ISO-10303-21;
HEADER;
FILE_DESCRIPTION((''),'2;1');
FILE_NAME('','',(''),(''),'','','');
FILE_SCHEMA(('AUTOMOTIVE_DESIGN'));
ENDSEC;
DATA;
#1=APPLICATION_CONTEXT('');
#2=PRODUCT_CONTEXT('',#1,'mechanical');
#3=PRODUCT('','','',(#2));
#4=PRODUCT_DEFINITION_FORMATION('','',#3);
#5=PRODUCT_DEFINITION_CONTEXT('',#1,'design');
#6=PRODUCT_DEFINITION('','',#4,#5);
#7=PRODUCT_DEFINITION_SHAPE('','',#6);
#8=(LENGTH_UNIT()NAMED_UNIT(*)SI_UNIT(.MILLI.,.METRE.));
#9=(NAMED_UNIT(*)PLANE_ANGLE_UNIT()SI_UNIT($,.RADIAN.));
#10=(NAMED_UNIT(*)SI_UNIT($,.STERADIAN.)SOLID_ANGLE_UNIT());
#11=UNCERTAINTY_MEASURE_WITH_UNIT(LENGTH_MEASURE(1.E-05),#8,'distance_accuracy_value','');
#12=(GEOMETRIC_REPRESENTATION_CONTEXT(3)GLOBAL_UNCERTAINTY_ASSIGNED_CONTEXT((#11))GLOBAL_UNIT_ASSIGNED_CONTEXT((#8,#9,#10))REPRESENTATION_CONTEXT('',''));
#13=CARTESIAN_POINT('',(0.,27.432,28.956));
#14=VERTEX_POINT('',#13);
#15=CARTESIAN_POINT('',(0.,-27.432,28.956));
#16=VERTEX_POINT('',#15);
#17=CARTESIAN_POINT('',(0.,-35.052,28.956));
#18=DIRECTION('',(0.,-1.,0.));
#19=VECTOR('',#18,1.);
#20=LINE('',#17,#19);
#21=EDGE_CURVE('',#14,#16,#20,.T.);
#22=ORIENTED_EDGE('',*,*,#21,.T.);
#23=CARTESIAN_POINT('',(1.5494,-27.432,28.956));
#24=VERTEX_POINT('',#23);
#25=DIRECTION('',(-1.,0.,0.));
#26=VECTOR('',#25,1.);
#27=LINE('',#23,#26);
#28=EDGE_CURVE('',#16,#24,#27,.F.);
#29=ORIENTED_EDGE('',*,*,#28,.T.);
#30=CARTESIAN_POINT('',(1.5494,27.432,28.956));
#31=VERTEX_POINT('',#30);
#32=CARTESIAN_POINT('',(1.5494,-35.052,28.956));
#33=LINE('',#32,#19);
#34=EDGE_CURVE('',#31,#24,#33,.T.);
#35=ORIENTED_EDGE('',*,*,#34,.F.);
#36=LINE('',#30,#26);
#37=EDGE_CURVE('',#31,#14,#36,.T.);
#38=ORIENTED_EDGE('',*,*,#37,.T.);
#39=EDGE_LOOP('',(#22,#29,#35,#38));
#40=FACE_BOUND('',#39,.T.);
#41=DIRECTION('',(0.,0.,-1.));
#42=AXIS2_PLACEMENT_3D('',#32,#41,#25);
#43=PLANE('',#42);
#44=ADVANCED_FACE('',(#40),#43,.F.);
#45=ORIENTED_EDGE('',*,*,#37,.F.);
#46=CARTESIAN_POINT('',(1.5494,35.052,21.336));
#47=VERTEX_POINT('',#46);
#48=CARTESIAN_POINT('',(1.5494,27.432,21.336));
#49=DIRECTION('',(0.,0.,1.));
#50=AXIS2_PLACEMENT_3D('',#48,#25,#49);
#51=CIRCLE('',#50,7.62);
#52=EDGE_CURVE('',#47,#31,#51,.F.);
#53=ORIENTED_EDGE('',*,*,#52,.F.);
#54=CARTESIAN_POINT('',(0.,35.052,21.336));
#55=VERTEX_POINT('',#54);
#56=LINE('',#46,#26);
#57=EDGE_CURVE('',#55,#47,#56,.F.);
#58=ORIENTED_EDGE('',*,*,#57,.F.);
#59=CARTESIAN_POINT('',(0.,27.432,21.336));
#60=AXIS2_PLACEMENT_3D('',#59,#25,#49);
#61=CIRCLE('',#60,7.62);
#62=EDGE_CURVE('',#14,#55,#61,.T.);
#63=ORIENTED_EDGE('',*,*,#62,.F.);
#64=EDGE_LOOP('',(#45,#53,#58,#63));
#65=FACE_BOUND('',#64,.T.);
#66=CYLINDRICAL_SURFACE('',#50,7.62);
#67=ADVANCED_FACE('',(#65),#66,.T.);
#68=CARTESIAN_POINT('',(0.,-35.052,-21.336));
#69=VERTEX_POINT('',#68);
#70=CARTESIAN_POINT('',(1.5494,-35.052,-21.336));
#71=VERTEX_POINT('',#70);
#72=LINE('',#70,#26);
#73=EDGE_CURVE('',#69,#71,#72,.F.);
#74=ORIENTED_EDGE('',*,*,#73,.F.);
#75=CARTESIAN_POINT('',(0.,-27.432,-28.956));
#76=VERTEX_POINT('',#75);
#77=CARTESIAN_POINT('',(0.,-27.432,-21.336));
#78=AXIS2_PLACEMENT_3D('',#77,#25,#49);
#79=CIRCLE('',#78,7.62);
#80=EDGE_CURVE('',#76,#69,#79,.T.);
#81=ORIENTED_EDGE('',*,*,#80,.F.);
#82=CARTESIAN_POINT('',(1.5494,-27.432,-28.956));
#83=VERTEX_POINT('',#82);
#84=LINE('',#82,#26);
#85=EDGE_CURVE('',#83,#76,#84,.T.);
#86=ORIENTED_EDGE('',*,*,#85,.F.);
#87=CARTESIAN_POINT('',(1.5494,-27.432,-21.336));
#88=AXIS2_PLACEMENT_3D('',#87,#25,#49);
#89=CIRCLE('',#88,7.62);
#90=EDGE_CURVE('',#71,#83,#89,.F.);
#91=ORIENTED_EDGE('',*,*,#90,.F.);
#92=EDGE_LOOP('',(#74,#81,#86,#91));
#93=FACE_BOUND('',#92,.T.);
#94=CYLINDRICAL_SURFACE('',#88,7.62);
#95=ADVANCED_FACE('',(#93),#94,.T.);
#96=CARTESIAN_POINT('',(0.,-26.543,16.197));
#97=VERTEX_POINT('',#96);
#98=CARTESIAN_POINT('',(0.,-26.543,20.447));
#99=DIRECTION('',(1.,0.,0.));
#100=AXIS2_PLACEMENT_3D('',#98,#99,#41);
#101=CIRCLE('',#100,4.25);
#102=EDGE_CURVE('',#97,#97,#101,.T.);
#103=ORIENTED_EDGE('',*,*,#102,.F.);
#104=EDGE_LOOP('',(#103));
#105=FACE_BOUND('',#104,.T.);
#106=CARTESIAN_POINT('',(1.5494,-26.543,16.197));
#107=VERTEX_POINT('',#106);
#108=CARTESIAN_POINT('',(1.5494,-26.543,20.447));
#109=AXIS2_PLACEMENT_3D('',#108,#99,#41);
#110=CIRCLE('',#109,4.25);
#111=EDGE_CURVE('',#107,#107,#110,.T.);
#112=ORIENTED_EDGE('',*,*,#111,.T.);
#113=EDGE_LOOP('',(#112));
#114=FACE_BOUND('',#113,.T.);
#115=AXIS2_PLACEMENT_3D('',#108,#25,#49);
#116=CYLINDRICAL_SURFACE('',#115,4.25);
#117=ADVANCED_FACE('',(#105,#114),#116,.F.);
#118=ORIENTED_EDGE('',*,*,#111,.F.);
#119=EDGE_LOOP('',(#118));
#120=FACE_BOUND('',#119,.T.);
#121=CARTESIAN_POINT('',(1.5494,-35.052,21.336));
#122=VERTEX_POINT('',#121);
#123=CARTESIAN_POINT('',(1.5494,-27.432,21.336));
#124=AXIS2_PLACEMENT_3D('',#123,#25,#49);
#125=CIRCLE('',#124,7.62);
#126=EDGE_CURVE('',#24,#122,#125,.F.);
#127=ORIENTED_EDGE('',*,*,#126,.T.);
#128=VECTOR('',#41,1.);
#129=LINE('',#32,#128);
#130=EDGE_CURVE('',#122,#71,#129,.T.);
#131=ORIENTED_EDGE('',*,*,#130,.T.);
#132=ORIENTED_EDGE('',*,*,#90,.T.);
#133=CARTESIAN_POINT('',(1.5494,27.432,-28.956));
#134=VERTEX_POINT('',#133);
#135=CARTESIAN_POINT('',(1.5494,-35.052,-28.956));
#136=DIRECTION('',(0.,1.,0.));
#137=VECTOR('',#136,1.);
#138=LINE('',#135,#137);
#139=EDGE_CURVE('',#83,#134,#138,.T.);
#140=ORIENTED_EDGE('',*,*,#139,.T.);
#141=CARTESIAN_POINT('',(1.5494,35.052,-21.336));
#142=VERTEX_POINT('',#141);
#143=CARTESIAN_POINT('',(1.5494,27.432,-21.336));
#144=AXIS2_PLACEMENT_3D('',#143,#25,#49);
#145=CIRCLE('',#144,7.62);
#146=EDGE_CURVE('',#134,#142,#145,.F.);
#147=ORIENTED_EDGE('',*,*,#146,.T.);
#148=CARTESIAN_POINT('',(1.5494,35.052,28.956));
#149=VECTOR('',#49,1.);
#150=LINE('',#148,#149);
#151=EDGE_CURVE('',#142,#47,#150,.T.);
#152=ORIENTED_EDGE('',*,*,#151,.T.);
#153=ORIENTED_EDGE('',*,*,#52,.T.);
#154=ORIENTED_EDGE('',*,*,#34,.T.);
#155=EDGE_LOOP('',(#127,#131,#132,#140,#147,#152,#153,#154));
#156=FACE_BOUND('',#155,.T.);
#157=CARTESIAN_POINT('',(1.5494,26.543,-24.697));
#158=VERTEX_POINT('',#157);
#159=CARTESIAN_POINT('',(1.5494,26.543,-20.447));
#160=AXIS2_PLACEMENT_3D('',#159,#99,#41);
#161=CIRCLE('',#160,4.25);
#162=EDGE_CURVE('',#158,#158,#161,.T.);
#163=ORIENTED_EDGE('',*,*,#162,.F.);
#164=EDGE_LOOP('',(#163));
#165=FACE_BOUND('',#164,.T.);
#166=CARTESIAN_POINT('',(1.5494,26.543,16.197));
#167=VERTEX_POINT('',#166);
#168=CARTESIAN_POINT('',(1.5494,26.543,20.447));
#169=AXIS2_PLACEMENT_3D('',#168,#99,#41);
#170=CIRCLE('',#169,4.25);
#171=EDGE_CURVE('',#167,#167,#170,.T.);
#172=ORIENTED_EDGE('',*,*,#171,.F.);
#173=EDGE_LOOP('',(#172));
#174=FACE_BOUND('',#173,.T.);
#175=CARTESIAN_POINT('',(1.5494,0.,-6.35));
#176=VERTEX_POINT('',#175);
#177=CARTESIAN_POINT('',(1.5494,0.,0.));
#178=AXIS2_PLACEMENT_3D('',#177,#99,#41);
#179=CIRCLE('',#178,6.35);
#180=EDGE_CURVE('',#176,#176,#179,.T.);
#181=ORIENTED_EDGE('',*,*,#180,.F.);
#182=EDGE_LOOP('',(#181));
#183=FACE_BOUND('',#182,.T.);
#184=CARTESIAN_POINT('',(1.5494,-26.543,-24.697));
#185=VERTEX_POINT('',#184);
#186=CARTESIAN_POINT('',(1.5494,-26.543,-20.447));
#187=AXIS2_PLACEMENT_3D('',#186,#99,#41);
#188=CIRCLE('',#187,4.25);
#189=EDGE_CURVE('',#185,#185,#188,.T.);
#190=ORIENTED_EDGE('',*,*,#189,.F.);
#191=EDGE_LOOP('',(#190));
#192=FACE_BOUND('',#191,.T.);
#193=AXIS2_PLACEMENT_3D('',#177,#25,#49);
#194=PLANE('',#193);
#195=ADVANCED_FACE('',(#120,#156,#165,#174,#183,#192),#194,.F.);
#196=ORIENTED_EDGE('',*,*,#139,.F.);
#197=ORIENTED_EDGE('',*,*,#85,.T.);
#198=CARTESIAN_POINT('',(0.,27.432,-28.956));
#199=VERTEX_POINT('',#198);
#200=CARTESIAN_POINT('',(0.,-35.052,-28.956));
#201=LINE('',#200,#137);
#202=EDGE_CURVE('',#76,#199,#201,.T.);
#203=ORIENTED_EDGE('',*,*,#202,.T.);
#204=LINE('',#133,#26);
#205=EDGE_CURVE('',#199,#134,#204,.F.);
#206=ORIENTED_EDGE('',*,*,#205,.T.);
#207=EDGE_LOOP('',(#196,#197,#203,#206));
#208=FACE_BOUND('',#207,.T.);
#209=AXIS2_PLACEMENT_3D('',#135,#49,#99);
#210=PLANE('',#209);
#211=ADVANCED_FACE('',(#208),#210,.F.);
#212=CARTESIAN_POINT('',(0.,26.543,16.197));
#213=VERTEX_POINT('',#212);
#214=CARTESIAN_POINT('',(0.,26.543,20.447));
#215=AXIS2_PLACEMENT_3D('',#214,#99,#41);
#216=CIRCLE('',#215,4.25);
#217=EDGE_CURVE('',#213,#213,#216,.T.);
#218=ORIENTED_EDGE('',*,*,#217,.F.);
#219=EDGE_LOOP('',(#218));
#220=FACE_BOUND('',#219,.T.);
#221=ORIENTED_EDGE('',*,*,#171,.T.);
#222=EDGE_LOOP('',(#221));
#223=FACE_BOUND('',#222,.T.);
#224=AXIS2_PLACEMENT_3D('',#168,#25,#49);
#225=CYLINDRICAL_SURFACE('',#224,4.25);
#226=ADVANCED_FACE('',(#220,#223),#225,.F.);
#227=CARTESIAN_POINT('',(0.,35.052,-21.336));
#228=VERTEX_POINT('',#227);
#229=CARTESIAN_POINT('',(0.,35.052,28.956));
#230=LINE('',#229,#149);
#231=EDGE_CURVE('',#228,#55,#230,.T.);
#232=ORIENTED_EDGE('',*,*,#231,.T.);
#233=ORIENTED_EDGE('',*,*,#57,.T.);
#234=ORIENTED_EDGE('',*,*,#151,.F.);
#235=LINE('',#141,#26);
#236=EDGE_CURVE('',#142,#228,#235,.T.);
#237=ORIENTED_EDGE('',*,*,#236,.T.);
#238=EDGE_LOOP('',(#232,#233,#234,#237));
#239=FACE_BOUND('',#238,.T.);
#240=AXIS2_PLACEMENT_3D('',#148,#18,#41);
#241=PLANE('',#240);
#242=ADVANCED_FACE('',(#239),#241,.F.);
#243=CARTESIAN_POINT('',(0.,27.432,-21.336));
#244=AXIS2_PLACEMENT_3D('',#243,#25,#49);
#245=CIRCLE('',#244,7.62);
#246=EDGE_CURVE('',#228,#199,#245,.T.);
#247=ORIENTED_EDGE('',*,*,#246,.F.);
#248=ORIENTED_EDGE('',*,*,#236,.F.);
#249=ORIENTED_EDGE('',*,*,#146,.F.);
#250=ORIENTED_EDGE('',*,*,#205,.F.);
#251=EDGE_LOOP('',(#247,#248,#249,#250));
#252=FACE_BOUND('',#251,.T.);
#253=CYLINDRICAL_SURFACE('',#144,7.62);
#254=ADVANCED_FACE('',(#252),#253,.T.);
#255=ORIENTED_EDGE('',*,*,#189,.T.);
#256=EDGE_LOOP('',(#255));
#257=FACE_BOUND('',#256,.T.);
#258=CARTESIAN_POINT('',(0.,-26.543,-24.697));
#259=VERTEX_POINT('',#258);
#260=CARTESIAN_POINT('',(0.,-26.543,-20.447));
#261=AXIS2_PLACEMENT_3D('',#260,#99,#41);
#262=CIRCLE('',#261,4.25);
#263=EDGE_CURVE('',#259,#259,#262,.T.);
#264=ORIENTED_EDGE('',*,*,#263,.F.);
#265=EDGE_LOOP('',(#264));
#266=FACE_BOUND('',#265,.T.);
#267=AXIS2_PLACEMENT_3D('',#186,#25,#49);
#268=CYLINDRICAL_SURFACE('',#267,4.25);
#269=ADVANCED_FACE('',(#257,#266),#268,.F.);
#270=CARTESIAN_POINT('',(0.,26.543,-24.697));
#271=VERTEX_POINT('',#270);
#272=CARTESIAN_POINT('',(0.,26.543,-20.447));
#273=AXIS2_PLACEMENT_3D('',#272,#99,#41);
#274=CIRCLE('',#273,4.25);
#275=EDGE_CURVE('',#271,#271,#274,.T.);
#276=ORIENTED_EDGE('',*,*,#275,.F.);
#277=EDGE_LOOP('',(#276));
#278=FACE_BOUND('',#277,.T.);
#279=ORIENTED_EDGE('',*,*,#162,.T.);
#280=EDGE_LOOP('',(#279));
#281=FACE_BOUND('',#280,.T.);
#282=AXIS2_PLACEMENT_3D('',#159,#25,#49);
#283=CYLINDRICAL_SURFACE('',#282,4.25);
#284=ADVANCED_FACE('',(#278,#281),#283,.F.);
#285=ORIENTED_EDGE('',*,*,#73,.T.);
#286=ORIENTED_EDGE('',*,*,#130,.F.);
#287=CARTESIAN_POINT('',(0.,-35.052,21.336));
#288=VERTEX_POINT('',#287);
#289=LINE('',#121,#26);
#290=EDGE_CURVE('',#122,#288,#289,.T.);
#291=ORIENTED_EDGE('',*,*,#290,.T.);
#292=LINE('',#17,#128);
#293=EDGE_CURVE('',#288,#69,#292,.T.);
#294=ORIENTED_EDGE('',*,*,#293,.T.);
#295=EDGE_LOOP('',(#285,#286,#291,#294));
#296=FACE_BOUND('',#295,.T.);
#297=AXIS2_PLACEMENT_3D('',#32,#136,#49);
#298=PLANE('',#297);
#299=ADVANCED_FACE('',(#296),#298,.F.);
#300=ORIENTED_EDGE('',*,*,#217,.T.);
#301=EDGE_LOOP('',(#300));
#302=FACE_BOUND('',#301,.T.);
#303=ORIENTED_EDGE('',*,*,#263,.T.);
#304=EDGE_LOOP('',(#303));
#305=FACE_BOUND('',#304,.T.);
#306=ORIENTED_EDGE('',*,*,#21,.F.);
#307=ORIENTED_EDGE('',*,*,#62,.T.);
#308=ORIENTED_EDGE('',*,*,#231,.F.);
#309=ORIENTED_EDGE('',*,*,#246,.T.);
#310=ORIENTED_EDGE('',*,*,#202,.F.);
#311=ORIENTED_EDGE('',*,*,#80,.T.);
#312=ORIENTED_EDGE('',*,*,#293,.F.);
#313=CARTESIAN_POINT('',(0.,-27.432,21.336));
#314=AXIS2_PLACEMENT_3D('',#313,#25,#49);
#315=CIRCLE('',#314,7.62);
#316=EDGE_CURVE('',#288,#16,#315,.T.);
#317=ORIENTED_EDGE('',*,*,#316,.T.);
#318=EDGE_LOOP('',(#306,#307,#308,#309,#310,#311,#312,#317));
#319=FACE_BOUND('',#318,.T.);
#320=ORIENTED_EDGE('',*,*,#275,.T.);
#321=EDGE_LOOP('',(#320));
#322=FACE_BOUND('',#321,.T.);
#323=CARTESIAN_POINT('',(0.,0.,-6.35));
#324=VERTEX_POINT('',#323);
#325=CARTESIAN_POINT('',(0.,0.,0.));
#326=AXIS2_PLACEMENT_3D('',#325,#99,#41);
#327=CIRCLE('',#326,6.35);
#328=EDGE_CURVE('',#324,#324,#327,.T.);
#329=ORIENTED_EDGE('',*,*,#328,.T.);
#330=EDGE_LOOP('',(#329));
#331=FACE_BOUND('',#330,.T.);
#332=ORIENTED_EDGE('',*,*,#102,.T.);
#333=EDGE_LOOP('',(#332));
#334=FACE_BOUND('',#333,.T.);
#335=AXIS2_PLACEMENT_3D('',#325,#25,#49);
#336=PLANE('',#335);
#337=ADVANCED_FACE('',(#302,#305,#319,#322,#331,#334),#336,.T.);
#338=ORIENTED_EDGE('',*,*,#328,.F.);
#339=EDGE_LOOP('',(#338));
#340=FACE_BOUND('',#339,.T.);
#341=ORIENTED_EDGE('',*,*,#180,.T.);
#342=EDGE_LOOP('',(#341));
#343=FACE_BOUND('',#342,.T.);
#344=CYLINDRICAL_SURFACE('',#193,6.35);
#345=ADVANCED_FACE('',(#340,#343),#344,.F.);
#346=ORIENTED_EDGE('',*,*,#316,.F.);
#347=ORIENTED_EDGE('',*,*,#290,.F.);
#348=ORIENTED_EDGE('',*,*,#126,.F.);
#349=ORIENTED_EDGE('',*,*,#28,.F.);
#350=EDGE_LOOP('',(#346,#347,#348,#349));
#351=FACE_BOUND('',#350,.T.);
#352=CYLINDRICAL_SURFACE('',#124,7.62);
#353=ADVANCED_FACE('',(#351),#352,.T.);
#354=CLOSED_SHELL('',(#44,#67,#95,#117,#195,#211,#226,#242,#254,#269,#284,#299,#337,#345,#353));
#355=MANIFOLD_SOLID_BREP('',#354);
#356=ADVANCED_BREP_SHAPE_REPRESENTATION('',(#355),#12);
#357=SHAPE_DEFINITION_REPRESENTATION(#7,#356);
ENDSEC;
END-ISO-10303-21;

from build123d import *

# Parameters (mm, degrees)
SKETCH1_W           = 57.912
SKETCH1_H           = 70.104
SKETCH1_R           = 4.25
SKETCH1_R_2         = 6.35
BOSS_EXTRUDE1_DEPTH = 1.5494
FILLET1_R           = 7.62


with BuildPart() as part:
    # Sketch1 → Boss-Extrude1 (new body)
    with BuildSketch(Plane(origin=(0, 0, 0), x_dir=(0, 0, -1), z_dir=(1, 0, 0))):
        Rectangle(SKETCH1_W, SKETCH1_H)
        with Locations((-20.447, 26.543)):
            Circle(SKETCH1_R, mode=Mode.SUBTRACT)
        with Locations((20.447, 26.543)):
            Circle(SKETCH1_R, mode=Mode.SUBTRACT)
        with Locations((20.447, -26.543)):
            Circle(SKETCH1_R, mode=Mode.SUBTRACT)
        with Locations((-20.447, -26.543)):
            Circle(SKETCH1_R, mode=Mode.SUBTRACT)
        Circle(SKETCH1_R_2, mode=Mode.SUBTRACT)
    extrude(amount=BOSS_EXTRUDE1_DEPTH)

    # Fillet1
    fillet1_edges = [part.edges().sort_by_distance(p)[0] for p in [
        (0.7747, -35.052, -28.956),
        (0.7747, -35.052, 28.956),
        (0.7747, 35.052, 28.956),
        (0.7747, 35.052, -28.956),
    ]]
    fillet(fillet1_edges, radius=FILLET1_R)


solid = part.part
